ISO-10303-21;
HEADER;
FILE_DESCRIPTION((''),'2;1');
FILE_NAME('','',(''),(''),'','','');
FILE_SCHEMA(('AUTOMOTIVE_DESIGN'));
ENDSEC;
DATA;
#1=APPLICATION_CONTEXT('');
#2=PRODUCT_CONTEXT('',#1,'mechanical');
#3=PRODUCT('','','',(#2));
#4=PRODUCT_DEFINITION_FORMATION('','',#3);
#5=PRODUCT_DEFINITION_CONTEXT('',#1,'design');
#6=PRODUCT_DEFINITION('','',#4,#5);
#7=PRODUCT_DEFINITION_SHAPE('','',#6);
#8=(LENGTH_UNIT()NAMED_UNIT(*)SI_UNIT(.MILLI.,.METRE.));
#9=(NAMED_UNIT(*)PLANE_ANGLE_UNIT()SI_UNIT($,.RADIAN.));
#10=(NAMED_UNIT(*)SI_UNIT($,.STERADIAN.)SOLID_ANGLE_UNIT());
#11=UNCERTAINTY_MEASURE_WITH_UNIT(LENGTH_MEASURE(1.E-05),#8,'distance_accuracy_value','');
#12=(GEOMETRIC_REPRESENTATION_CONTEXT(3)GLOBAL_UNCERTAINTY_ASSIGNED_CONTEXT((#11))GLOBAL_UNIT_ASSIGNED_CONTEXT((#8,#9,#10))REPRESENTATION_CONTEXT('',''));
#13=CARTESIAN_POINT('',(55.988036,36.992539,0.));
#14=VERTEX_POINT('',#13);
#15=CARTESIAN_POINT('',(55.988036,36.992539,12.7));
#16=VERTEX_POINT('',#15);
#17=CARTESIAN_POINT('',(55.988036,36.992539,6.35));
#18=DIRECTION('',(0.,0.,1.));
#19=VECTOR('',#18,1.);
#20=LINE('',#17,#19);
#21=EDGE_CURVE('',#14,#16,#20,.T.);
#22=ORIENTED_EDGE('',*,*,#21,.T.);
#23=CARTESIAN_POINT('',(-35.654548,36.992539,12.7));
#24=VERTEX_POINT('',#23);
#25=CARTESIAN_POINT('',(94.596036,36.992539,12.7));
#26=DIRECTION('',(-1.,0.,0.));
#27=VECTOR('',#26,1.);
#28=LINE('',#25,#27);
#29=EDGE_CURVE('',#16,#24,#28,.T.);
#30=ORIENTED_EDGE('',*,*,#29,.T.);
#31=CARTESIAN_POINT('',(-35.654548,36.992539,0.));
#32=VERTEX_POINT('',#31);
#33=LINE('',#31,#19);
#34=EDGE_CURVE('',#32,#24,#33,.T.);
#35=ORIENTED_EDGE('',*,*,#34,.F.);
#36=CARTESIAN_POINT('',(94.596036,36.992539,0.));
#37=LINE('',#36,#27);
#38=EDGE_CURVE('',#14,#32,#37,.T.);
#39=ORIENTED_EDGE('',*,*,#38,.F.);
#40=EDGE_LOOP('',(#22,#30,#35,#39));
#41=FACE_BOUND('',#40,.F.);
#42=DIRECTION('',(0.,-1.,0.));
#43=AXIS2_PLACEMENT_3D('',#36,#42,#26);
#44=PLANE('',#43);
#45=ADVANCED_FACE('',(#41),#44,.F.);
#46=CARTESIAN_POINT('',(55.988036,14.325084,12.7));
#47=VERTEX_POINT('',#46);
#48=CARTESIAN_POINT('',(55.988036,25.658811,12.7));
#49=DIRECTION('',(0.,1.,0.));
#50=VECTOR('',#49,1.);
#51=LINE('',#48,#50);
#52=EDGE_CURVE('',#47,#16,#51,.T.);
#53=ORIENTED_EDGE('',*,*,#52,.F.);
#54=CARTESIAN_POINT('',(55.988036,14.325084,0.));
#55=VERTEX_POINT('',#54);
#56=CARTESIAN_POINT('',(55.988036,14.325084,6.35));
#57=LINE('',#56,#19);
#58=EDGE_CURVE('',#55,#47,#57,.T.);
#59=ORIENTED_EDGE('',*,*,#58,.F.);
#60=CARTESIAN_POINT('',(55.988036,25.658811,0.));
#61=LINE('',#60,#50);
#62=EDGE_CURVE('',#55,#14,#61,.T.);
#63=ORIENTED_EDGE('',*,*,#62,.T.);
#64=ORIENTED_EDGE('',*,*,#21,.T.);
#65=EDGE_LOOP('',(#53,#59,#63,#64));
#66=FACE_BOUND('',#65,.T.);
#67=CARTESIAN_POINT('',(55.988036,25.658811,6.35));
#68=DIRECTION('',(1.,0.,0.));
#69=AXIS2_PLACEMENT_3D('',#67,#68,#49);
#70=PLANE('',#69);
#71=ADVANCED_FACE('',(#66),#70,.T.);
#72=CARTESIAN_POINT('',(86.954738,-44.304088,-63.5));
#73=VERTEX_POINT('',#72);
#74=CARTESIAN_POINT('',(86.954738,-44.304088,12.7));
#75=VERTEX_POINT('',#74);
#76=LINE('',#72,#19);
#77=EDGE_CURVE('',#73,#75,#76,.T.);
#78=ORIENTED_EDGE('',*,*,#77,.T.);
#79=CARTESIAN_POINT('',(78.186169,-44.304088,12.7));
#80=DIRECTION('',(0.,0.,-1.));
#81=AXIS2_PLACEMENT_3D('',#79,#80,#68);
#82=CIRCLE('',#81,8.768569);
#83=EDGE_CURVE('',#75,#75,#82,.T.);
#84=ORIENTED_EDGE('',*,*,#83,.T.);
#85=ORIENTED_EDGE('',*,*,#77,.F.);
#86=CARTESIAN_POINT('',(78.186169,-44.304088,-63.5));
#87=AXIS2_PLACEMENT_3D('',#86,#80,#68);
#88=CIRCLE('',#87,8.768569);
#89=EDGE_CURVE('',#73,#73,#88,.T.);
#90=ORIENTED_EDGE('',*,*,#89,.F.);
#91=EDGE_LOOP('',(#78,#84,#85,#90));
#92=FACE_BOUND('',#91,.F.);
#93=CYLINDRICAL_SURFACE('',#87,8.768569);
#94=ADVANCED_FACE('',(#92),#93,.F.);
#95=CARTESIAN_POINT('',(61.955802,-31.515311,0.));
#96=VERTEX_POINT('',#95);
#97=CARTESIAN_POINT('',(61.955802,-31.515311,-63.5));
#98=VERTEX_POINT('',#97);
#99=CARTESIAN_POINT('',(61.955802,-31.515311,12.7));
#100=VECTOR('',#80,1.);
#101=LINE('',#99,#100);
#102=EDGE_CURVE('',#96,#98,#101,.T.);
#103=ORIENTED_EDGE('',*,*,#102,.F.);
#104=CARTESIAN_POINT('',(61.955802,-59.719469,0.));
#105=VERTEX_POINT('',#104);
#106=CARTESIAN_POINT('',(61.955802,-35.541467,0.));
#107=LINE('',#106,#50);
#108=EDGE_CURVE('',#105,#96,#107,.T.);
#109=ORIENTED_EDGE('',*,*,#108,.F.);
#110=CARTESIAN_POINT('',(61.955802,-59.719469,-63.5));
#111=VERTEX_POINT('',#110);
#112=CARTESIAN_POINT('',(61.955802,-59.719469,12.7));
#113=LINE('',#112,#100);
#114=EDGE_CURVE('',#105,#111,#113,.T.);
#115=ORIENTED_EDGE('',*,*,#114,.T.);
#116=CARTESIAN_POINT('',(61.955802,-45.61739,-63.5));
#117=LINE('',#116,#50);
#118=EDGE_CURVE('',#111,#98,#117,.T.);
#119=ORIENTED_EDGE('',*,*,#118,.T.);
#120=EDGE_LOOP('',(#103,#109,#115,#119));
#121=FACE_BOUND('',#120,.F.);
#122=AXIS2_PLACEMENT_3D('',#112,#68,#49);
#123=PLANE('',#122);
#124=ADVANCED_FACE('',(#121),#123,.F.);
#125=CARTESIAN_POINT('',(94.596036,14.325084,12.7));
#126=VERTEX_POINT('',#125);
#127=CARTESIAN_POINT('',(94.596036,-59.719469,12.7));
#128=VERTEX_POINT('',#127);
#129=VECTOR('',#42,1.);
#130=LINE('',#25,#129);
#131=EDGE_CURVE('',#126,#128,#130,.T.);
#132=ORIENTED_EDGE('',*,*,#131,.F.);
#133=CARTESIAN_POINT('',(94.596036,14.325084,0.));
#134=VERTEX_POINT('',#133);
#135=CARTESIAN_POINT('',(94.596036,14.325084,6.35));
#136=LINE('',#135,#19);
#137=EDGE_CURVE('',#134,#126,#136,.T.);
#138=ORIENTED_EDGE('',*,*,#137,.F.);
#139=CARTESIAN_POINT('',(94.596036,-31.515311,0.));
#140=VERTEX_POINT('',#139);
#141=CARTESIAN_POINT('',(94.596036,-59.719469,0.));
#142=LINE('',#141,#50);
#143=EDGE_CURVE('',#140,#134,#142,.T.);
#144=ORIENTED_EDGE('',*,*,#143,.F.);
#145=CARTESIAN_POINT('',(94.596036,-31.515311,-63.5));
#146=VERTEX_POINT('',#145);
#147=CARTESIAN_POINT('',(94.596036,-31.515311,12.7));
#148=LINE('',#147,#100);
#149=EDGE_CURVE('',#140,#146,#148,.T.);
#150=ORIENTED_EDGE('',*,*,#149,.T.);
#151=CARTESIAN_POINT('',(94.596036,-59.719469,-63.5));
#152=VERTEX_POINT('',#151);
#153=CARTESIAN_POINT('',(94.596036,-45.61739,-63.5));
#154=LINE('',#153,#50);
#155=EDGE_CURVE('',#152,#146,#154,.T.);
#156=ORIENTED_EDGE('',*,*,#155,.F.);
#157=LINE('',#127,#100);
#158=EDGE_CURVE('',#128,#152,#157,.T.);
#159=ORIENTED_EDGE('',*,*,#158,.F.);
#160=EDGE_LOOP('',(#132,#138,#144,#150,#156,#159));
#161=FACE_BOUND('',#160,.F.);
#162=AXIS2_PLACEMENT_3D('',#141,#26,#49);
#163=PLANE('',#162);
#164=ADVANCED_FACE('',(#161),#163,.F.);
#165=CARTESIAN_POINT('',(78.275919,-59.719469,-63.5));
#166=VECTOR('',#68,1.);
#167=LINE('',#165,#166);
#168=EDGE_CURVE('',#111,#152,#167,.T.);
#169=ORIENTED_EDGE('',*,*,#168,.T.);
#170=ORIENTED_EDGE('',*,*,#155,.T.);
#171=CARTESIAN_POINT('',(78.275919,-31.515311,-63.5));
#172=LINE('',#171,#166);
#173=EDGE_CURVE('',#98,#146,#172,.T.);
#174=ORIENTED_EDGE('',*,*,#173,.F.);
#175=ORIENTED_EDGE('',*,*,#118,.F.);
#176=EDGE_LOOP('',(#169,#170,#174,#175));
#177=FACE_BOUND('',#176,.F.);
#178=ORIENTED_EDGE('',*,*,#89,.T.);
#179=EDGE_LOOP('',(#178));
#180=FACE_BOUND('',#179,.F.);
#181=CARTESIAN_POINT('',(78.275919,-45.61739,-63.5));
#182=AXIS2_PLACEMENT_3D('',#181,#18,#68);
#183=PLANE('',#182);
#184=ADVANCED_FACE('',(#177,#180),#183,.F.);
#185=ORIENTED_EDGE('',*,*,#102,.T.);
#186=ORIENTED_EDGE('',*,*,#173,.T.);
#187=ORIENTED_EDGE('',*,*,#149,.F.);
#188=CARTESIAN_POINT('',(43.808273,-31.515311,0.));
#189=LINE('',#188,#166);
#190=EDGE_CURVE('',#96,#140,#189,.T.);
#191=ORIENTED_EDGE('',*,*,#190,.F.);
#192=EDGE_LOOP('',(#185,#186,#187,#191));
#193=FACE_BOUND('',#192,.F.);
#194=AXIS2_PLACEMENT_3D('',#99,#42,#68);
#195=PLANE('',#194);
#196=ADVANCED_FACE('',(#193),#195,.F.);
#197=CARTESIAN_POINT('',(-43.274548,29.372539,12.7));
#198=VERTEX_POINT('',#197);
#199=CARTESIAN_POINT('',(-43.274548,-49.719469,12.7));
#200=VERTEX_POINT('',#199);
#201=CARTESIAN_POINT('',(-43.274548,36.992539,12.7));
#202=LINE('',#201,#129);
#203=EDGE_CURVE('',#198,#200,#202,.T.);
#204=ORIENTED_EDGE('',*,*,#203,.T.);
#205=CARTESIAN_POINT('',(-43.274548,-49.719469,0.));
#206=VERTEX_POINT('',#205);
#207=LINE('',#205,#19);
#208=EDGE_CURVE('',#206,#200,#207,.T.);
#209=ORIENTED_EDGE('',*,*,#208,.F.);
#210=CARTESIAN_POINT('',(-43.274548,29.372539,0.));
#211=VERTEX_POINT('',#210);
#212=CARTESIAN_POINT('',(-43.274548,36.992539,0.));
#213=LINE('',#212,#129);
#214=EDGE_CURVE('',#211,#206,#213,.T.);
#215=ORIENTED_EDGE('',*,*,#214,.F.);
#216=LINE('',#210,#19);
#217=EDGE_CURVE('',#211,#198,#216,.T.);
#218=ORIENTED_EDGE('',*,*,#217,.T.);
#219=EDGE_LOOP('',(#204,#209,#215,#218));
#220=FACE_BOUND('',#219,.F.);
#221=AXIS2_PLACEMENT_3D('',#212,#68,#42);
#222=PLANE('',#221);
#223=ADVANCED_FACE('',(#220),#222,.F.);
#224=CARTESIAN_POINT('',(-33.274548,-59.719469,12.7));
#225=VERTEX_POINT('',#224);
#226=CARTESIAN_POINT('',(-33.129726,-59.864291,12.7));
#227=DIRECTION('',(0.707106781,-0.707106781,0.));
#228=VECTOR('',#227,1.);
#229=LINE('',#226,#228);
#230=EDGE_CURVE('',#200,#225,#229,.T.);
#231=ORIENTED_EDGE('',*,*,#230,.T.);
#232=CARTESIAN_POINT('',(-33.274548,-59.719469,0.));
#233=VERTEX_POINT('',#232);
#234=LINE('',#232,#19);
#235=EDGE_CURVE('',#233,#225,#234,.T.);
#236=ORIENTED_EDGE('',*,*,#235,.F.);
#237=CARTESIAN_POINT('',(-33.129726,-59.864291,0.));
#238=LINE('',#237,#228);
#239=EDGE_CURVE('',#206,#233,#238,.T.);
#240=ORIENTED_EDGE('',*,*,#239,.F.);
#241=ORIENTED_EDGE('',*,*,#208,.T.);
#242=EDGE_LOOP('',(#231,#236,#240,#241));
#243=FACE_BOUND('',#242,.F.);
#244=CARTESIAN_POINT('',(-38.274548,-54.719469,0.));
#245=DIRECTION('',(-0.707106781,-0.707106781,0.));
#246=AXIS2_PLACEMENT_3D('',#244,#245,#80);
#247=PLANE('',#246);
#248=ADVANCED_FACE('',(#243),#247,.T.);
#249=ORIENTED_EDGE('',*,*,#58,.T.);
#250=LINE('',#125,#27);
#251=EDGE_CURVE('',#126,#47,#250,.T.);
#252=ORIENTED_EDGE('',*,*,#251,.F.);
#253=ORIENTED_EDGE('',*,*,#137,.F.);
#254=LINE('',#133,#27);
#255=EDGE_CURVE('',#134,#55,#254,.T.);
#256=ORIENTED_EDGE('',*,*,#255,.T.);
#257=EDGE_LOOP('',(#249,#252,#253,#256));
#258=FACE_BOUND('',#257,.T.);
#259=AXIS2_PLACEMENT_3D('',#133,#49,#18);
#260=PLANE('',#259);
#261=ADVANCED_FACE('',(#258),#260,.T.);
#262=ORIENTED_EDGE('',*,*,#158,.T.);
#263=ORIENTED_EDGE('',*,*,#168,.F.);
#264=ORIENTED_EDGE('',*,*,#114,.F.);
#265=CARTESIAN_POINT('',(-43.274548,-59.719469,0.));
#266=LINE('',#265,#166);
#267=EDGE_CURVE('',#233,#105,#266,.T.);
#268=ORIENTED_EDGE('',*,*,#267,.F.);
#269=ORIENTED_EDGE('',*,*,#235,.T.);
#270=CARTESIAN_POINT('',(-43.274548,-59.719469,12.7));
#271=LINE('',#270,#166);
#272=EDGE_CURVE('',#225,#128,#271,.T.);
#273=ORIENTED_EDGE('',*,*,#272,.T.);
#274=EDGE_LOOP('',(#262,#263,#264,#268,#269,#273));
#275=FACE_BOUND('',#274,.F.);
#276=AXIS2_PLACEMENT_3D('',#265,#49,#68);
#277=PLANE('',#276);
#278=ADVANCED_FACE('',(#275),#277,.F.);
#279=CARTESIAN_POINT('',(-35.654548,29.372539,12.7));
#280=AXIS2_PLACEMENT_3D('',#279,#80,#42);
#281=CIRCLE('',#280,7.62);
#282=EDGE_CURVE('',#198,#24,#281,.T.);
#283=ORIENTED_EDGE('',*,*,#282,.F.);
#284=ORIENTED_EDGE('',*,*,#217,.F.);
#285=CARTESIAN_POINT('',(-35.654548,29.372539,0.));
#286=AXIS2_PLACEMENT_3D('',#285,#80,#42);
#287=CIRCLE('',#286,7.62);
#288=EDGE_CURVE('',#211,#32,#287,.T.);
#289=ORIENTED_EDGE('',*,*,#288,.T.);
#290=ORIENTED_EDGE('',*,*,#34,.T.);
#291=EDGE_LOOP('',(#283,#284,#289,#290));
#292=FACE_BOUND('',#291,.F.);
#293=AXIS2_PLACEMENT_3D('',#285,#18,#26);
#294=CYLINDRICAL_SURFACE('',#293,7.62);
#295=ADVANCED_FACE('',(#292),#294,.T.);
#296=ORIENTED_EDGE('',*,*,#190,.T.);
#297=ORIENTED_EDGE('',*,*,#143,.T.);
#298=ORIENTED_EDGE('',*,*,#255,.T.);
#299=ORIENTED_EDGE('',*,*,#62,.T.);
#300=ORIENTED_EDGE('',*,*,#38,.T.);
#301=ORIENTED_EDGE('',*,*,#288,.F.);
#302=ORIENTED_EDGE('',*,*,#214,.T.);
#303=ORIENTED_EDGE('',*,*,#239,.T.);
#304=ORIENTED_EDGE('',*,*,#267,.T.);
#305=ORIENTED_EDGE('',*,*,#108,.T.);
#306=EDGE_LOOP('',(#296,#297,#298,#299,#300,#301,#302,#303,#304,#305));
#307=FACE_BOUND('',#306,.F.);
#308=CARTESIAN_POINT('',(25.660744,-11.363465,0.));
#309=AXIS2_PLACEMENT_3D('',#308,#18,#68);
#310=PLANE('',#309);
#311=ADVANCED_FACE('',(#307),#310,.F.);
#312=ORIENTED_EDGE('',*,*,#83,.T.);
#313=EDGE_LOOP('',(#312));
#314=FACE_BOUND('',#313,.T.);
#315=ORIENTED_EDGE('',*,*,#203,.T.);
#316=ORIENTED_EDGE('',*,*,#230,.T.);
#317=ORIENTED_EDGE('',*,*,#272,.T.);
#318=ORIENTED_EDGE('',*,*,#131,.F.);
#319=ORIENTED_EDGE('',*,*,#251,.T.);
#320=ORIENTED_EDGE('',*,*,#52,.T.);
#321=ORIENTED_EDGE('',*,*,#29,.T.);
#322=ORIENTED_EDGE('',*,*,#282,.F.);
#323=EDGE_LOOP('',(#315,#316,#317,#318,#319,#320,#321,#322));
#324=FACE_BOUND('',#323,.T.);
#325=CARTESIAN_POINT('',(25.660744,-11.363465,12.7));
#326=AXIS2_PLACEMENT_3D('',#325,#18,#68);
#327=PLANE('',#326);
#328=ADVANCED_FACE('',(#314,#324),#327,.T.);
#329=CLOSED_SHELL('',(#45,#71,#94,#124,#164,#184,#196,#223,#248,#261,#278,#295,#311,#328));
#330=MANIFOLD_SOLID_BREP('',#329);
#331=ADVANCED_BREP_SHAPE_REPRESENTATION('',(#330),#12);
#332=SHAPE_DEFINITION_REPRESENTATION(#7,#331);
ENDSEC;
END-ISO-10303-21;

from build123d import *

# Parameters (mm, degrees)
F1_DEPTH = 12.7
F2_W     = 32.6402336359
F2_H     = 28.2041579485
F3_DEPTH = 76.2
F4_W     = 22.6674545556
F4_H     = 12.7
F5_DEPTH = 38.608
F6_R     = 8.7685690735
F7_DEPTH = 76.2
F8_R     = 7.62
F9_SIZE  = 10


with BuildPart() as f1:
    # F0 (on Top) → F1 (new body)
    with BuildSketch(Plane.XY):
        Polygon((94.5960357785, 36.9925387204), (-43.2745479047, 36.9925387204), (-43.2745479047, -59.7194693983), (58.4955252707, -59.7194693983), (69.8579475284, -59.7194693983), (94.5960357785, -59.7194693983), (94.5960357785, -27.4753328413), (94.5960357785, -27.073610574), align=None)
    extrude(amount=F1_DEPTH)

    # F2 (on face) → F3 (join)
    with BuildSketch(Plane.XY.offset(12.7)):
        with Locations((78.2759189606, -45.617390424)):
            Rectangle(F2_W, F2_H)
    extrude(amount=-F3_DEPTH)

    # F4 (on face) → F5 (cut)
    with BuildSketch(Plane.YZ.offset(94.5960357785)):
        with Locations((25.6588114426, 6.35)):
            Rectangle(F4_W, F4_H)
    extrude(amount=-F5_DEPTH, mode=Mode.SUBTRACT)

    # F6 (on face) → F7 (cut)
    with BuildSketch(Plane(origin=(0, 0, -63.5), x_dir=(1, 0, 0), z_dir=(0, 0, -1))):
        with Locations((78.1861692667, 44.3040877581)):
            Circle(F6_R)
    extrude(amount=-F7_DEPTH, mode=Mode.SUBTRACT)

    # F8
    f8_edges = [f1.edges().sort_by_distance(p)[0] for p in [
        (-43.274548, 36.992539, 6.35),
    ]]
    fillet(f8_edges, radius=F8_R)

    # F9
    f9_edges = [f1.edges().sort_by_distance(p)[0] for p in [
        (-43.274548, -59.719469, 6.35),
    ]]
    chamfer(f9_edges, length=F9_SIZE)


solid = f1.part
